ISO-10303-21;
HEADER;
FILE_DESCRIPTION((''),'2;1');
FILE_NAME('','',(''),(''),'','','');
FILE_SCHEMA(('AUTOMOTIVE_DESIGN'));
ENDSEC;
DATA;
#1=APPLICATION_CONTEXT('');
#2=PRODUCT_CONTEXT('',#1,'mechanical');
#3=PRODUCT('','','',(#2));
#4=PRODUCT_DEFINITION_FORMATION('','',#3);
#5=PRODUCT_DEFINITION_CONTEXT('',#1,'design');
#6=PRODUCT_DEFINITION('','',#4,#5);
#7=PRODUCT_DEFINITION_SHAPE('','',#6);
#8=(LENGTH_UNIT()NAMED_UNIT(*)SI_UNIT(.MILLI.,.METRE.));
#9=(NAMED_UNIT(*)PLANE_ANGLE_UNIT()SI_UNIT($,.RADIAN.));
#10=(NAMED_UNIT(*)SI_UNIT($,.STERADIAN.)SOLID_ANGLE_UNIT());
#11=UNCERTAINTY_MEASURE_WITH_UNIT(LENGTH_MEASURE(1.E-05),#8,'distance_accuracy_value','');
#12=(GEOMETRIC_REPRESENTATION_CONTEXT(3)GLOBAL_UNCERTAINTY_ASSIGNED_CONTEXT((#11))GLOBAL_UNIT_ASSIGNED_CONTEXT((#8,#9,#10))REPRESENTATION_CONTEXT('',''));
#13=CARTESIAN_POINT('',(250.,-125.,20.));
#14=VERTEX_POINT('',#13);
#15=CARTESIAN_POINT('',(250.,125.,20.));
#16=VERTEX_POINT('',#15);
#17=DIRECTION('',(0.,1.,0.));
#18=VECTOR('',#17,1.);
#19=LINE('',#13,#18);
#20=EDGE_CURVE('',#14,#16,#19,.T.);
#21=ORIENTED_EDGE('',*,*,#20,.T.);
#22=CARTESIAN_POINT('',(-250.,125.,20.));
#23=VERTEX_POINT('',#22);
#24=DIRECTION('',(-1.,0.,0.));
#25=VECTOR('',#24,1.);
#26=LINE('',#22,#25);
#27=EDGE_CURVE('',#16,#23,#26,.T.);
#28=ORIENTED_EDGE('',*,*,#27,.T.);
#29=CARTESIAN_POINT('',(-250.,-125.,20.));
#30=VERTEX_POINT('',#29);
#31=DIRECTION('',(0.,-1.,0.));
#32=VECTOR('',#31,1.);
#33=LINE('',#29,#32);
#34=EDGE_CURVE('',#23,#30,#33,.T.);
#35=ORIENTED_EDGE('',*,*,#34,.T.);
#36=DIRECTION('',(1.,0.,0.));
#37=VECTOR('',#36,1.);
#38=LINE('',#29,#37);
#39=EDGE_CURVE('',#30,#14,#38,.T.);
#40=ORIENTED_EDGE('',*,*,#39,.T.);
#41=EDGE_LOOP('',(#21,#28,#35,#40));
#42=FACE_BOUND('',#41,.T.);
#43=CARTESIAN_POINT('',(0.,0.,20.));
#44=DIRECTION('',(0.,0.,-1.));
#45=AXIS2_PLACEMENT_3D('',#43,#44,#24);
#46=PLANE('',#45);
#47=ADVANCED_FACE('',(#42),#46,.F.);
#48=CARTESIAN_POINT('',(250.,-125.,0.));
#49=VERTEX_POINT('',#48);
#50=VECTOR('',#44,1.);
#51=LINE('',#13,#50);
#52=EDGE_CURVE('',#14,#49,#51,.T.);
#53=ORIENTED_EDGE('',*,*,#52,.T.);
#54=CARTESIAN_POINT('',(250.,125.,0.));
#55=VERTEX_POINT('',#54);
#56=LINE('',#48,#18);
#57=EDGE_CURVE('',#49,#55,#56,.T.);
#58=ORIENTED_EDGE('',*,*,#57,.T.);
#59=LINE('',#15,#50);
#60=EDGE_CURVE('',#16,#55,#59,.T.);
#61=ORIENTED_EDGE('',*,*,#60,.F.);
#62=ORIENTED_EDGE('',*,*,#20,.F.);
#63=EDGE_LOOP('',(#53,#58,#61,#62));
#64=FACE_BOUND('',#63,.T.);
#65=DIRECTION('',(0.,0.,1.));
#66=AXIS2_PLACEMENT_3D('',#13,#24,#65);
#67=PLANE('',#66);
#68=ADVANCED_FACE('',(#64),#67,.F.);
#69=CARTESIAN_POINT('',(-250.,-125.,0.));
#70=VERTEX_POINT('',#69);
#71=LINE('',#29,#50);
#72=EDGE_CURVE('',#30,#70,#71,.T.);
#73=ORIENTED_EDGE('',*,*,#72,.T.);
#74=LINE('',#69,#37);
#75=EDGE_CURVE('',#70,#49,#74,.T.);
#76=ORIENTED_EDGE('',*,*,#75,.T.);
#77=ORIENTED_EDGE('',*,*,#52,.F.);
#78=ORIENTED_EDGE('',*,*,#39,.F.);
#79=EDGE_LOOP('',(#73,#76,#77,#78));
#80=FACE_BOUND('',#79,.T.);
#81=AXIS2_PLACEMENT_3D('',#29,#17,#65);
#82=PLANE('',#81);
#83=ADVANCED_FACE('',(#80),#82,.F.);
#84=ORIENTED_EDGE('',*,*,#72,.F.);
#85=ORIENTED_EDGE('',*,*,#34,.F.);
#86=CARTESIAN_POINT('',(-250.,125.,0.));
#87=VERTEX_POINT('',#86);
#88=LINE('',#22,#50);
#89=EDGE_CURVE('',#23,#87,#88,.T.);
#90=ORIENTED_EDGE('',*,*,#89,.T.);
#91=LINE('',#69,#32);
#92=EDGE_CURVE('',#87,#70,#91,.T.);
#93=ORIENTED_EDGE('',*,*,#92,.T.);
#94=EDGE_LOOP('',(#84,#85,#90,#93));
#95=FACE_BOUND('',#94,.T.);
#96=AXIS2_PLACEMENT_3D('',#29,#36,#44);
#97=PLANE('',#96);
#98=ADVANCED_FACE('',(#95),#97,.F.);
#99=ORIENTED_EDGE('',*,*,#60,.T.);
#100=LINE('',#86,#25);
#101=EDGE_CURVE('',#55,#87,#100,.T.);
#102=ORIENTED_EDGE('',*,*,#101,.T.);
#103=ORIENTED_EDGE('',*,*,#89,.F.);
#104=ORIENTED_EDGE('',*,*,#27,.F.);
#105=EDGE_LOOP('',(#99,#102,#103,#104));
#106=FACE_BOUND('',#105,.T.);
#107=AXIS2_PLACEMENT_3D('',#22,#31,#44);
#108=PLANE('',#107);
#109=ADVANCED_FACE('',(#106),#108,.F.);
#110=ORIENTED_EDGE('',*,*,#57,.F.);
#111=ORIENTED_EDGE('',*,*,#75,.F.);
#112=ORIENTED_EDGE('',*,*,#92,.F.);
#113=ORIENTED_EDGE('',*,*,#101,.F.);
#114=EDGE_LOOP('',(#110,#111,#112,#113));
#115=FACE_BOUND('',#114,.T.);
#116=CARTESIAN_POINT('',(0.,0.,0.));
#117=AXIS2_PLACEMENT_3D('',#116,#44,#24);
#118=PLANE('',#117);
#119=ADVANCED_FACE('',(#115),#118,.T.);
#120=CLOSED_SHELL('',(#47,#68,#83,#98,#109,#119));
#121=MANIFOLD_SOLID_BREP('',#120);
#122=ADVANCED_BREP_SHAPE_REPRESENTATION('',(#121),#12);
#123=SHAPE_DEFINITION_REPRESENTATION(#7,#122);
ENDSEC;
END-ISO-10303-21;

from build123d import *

# Parameters (mm, degrees)
SKETCH1_W           = 500
SKETCH1_H           = 250
BOSS_EXTRUDE1_DEPTH = 20


with BuildPart() as part:
    # Sketch1 → Boss-Extrude1 (new body)
    with BuildSketch(Plane.XY):
        Rectangle(SKETCH1_W, SKETCH1_H)
    extrude(amount=BOSS_EXTRUDE1_DEPTH)


solid = part.part
